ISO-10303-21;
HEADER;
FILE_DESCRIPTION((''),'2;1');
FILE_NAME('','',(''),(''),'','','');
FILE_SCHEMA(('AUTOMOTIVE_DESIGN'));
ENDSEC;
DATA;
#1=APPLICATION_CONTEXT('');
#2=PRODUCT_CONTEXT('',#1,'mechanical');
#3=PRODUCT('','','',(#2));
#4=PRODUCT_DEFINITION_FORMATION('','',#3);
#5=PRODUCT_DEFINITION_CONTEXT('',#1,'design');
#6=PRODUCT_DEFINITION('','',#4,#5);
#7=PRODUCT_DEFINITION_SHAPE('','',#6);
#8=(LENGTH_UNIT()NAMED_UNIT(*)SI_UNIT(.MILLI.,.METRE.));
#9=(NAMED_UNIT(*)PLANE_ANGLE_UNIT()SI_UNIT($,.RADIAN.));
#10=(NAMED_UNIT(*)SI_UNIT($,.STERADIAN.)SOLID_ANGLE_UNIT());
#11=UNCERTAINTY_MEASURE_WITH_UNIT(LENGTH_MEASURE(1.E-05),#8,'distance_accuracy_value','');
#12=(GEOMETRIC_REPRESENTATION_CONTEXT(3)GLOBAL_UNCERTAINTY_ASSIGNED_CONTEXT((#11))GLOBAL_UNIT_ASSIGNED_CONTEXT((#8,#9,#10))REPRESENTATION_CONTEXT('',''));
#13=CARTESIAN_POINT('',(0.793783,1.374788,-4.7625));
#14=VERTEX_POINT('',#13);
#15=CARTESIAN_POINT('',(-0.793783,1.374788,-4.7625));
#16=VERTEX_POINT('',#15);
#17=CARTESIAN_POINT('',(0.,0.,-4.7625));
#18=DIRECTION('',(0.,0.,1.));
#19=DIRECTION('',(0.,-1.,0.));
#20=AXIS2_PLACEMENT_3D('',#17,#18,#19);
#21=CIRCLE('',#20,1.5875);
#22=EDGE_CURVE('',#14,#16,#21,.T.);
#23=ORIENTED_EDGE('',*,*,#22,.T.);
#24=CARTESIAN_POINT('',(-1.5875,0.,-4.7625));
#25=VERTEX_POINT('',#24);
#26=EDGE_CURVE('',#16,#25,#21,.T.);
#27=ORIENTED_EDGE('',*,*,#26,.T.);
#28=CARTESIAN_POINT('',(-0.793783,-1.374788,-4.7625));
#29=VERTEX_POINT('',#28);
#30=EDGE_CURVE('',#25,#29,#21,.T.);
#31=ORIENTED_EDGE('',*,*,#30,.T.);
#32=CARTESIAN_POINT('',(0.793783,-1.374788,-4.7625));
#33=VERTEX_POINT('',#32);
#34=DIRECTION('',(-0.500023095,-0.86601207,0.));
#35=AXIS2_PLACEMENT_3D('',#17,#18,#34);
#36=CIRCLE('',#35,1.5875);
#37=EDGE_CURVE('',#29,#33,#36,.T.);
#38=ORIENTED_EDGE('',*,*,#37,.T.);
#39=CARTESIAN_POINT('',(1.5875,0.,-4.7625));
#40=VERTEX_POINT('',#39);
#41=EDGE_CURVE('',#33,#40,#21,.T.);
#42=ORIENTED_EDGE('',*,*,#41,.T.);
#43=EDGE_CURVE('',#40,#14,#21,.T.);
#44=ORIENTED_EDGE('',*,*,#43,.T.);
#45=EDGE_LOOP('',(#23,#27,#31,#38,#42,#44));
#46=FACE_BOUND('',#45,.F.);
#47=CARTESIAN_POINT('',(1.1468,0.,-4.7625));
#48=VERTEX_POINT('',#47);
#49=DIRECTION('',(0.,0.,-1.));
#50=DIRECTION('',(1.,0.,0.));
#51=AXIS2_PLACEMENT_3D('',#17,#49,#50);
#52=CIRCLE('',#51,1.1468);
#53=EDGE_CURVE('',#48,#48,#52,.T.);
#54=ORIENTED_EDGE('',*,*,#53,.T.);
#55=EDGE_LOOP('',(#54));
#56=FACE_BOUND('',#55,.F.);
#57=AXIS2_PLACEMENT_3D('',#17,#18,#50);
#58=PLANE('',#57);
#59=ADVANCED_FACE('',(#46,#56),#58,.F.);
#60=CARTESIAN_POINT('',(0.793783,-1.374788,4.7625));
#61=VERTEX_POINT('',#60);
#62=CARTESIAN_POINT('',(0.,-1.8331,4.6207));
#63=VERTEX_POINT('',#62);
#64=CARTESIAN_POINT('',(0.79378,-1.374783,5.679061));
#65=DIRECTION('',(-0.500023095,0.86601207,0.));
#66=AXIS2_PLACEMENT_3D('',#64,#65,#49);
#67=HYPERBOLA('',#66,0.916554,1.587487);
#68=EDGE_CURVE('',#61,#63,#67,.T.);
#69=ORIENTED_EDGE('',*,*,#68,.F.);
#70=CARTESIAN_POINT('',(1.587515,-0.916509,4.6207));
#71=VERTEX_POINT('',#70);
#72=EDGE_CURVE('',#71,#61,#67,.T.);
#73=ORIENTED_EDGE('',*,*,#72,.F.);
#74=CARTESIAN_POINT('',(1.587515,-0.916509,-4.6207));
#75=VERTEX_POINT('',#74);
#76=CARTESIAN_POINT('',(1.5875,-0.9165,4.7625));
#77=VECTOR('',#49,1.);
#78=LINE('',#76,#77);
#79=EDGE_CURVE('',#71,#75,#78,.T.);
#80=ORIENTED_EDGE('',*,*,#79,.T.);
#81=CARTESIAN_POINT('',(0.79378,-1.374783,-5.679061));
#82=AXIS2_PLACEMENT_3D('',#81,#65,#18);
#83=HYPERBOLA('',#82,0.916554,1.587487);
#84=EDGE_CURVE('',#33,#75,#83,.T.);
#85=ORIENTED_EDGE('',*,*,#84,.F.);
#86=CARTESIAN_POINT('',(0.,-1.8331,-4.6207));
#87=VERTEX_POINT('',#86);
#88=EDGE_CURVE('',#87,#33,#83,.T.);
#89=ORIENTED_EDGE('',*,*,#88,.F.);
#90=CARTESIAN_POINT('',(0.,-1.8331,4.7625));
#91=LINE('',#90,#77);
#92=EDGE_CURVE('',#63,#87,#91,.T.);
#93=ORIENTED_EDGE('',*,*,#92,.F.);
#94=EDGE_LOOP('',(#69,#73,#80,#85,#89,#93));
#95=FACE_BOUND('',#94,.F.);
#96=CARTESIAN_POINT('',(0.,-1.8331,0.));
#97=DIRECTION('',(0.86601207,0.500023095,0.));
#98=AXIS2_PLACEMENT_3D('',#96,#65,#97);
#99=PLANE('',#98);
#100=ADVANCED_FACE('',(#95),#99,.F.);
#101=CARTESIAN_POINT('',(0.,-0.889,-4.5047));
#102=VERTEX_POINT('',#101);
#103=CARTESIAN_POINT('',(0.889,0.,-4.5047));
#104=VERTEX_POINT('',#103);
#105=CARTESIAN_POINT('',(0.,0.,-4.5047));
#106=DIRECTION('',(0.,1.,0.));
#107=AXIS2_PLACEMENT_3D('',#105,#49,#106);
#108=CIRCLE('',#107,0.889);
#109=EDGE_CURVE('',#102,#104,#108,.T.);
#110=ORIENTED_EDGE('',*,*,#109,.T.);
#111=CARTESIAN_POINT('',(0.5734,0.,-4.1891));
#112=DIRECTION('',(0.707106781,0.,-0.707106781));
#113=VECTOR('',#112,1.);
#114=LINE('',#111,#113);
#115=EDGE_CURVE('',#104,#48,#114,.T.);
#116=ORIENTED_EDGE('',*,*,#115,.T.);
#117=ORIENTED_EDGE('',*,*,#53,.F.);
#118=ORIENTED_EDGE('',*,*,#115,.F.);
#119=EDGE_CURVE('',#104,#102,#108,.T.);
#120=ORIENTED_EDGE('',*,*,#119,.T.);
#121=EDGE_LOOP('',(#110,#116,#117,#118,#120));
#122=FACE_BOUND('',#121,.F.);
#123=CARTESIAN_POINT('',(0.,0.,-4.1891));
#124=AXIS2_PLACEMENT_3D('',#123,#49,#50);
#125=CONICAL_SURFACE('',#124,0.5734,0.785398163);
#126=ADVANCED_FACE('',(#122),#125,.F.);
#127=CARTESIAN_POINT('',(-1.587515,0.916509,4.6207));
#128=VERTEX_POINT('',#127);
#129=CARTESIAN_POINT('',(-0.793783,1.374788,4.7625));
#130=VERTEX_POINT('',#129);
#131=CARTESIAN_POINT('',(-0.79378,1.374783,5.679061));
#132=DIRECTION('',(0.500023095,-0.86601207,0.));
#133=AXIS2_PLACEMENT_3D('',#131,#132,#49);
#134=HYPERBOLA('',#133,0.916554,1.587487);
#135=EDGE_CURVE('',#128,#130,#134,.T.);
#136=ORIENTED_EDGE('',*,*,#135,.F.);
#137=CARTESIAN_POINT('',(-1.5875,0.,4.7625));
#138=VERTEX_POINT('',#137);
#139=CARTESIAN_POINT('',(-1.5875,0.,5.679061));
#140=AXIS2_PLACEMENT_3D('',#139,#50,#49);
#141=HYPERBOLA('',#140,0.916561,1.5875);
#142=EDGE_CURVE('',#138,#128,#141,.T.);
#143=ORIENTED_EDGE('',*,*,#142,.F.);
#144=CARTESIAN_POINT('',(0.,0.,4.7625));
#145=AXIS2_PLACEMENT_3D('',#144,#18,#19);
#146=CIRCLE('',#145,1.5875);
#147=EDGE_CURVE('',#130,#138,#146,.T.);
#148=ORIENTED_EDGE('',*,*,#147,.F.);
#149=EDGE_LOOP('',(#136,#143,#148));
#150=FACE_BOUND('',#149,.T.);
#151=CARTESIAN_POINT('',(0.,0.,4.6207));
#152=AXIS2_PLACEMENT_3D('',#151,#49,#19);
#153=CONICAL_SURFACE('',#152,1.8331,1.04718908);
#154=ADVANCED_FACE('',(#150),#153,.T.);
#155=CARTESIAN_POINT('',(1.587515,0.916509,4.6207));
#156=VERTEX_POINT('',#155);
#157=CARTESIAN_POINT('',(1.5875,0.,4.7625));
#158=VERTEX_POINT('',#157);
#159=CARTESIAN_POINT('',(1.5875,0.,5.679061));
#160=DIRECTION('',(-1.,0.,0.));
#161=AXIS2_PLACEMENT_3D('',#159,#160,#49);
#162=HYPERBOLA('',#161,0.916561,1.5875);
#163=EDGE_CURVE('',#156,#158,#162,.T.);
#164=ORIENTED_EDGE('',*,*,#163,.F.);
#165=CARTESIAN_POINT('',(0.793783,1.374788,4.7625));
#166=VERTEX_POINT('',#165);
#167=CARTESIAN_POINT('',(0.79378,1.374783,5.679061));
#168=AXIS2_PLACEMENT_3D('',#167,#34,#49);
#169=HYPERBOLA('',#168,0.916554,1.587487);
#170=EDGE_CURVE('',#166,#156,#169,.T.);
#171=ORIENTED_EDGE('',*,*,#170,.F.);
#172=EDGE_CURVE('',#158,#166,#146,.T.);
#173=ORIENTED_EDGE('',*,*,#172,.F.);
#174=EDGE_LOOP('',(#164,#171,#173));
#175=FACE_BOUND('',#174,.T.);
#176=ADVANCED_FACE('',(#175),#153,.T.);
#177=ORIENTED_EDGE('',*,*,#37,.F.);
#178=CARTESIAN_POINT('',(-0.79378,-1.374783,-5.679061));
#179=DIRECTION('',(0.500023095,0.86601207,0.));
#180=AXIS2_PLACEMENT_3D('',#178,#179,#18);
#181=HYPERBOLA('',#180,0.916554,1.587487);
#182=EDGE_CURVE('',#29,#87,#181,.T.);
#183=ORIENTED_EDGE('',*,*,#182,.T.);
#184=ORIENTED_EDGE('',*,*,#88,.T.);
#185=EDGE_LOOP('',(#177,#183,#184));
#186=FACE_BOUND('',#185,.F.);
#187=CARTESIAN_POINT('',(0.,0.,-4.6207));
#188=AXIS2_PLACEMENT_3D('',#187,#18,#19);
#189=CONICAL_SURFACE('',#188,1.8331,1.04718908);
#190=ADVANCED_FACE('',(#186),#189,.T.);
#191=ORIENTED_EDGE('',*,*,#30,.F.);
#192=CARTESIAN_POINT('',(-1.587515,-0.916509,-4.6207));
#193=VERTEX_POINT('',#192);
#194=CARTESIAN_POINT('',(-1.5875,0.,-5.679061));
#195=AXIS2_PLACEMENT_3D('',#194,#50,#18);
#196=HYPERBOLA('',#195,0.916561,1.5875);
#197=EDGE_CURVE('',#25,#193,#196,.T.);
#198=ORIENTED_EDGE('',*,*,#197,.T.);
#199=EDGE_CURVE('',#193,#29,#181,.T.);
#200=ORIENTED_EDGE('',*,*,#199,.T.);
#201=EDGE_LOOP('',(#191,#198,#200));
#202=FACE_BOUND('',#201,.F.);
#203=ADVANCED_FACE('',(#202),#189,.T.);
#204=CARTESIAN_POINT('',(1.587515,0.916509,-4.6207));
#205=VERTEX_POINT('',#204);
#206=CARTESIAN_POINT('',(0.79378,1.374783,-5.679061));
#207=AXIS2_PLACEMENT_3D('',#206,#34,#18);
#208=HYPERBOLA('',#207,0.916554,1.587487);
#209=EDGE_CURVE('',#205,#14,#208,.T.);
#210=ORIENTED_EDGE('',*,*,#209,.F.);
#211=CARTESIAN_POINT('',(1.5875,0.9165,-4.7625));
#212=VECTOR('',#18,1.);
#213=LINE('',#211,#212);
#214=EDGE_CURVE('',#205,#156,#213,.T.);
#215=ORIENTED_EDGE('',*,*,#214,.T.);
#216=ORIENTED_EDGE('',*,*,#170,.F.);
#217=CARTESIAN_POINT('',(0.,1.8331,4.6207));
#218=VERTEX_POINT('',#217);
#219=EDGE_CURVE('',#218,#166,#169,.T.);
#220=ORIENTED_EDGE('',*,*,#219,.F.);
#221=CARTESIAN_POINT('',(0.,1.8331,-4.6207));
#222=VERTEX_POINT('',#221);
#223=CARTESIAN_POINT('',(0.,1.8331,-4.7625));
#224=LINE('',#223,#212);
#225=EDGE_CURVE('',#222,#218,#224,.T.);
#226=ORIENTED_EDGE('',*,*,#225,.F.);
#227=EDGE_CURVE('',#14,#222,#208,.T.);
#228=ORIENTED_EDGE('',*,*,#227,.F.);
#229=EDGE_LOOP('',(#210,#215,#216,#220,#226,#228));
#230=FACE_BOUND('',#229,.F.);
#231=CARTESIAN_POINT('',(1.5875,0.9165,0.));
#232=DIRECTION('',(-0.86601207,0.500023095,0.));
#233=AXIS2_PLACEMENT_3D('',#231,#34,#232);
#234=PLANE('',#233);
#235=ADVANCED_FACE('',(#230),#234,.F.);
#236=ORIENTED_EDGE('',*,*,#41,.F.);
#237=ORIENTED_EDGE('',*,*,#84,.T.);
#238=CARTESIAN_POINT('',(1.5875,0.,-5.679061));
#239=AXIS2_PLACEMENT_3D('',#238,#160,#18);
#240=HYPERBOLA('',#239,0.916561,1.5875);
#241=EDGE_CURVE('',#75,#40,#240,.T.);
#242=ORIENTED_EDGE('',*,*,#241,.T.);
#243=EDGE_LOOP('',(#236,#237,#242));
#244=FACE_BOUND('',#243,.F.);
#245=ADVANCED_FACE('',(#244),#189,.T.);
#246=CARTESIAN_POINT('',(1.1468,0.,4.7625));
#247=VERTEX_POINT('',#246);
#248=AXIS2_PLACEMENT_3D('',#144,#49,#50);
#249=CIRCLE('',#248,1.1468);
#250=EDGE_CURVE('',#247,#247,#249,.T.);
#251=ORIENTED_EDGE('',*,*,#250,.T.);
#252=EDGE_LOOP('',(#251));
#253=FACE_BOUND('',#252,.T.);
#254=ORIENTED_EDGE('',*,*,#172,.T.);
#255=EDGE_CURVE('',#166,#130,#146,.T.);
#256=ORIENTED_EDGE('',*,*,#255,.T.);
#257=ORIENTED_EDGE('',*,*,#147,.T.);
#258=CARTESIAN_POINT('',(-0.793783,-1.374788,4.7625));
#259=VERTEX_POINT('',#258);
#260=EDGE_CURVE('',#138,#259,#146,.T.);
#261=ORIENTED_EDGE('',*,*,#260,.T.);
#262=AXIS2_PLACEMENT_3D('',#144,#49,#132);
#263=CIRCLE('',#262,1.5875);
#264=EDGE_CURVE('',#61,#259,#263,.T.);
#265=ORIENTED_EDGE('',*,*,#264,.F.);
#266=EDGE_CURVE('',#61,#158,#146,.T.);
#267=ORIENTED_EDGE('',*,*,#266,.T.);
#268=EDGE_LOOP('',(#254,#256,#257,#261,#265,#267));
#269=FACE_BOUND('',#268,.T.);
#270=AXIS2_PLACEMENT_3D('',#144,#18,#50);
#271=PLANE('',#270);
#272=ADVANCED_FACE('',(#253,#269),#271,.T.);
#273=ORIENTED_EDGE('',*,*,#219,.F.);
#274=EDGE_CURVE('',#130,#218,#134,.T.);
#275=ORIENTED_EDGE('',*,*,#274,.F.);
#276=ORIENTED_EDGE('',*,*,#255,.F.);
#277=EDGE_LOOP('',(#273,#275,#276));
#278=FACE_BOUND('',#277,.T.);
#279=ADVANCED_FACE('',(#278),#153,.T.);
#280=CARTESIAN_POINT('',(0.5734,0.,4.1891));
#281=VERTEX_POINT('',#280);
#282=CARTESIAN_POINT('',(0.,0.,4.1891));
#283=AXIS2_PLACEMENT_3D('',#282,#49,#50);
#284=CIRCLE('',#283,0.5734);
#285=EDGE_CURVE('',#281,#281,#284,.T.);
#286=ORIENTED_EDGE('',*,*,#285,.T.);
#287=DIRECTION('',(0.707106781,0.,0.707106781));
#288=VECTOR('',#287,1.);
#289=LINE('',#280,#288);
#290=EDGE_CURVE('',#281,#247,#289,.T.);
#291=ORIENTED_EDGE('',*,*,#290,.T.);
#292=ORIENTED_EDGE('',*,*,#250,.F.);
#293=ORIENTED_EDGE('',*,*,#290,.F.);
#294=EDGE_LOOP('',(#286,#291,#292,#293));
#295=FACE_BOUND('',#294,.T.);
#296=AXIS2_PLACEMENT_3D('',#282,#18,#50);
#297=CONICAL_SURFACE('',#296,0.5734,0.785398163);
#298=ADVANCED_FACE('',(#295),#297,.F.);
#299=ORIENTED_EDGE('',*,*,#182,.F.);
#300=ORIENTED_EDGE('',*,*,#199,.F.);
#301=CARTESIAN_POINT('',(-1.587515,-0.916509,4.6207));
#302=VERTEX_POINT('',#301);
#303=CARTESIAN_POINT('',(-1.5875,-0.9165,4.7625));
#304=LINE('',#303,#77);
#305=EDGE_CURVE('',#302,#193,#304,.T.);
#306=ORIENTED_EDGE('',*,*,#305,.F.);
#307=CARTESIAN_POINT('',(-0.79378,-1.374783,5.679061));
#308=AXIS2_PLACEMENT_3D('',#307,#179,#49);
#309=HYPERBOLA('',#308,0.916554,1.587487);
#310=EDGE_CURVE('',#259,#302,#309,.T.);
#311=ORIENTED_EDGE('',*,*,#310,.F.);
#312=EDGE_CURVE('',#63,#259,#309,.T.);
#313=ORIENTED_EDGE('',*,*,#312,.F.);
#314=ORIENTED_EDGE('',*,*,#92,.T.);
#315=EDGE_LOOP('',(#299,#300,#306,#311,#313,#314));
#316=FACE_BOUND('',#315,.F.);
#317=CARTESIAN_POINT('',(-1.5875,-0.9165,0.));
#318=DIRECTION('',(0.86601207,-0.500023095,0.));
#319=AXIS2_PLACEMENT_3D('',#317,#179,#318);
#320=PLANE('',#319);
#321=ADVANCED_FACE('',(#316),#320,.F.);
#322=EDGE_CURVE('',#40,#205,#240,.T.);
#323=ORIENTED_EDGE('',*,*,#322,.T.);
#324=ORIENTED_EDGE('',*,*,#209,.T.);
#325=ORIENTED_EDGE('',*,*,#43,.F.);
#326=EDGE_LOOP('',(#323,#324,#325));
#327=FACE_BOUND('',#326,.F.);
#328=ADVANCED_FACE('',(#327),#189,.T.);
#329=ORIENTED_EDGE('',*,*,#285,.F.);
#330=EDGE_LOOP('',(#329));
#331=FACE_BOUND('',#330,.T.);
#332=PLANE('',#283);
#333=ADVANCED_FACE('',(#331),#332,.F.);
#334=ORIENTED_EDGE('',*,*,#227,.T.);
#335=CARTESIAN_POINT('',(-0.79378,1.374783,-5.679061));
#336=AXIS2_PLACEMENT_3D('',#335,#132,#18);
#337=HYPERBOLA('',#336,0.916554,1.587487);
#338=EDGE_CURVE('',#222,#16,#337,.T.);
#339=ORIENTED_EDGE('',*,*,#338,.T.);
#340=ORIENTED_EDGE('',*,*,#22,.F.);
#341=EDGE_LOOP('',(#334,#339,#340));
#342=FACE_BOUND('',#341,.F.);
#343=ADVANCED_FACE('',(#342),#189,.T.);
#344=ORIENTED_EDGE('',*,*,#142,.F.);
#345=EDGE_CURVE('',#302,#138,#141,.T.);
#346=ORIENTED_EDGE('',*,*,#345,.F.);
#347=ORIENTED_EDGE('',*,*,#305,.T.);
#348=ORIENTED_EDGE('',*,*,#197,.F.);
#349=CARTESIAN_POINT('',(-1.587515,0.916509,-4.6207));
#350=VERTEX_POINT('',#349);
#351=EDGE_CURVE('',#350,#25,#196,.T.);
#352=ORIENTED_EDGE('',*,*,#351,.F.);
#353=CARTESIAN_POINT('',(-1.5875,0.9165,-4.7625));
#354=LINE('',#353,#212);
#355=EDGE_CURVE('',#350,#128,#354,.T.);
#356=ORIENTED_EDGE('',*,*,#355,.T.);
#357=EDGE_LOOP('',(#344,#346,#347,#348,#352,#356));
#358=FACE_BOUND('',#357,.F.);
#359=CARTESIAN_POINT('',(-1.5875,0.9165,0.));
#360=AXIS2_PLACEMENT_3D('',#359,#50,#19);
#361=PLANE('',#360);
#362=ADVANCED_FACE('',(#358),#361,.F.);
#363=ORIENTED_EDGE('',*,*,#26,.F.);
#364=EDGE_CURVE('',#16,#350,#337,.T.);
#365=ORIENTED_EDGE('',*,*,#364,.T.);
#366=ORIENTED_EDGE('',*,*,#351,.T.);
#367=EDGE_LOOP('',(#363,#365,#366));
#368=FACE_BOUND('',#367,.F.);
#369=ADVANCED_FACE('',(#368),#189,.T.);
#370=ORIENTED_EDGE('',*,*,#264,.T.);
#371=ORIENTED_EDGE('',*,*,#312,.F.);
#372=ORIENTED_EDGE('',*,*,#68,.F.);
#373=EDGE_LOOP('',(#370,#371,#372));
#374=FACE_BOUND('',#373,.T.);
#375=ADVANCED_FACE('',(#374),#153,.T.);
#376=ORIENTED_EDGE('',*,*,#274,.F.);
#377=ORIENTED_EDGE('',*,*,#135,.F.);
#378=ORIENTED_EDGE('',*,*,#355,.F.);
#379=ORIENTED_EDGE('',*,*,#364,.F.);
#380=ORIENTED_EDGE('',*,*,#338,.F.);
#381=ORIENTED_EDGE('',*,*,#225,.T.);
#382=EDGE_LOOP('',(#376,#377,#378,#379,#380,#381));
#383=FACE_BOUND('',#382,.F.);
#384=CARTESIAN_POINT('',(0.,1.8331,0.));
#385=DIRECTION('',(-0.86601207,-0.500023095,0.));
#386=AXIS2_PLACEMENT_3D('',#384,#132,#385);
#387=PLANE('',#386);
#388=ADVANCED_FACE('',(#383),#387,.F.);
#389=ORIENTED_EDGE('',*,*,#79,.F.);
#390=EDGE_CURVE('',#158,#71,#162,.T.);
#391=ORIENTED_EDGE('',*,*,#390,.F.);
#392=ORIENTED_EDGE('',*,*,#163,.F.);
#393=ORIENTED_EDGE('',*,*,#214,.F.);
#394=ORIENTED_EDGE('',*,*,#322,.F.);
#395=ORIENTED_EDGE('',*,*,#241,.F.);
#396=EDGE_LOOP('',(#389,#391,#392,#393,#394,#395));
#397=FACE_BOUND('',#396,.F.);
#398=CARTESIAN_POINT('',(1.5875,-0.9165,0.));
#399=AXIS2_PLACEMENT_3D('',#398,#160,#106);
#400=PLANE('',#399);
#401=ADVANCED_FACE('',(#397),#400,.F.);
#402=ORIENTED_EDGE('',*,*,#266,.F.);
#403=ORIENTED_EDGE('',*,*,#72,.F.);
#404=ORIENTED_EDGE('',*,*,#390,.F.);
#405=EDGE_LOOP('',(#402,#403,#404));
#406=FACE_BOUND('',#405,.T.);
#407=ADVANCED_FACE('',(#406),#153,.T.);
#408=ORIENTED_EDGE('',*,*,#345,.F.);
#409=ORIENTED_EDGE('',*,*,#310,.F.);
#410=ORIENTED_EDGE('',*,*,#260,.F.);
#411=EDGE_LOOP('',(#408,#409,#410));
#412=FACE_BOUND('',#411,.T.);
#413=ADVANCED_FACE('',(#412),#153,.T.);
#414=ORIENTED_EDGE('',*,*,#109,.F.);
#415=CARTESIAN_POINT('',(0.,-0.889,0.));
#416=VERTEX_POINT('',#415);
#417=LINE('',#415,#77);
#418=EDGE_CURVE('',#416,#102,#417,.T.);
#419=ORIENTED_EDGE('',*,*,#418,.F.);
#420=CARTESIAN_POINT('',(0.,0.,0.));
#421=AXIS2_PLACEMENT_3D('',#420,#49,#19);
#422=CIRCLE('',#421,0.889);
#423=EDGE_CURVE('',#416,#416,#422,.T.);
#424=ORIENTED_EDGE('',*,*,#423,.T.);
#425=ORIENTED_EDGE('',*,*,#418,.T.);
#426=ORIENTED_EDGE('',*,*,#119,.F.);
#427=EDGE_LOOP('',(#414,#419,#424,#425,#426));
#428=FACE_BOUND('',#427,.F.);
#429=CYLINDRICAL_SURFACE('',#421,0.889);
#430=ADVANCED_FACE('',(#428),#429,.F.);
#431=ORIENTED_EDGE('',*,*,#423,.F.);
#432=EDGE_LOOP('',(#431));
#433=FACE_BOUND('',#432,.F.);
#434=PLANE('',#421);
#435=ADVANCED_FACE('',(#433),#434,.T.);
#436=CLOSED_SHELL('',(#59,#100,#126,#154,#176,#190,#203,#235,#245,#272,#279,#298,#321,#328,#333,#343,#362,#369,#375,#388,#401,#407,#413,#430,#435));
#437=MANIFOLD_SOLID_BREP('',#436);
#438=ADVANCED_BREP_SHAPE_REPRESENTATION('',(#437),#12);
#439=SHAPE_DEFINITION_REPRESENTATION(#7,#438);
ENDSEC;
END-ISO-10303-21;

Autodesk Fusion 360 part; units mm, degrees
sketch "Sketch1" plane through (0, 0, 0) normal (0, 0, 1) x (1, 0, 0)
  line L0 (1.5875, 0.9165) -> (0, 1.8331)
  line L1 (0, 1.8331) -> (-1.5875, 0.9165)
  line L2 (-1.5875, 0.9165) -> (-1.5875, -0.9165)
  line L3 (-1.5875, -0.9165) -> (0, -1.8331)
  line L4 (0, -1.8331) -> (1.5875, -0.9165)
  line L5 (1.5875, -0.9165) -> (1.5875, 0.9165)
  circle A0 centre (0, 0) radius 1.5875 construction
  dimension "d4" = 3.175
extrude "Extrude1" add sketch "Sketch1" along normal mid plane 9.525
sketch "Sketch2" plane through (0, 0, 0) normal (1, 0, 0) x (0, 1, 0)
  line L0 (1.8331, 4.7625) -> (-1.8331, 4.7625)
  line L1 (-1.8331, -4.7625) -> (1.8331, -4.7625)
  line L2 (-1.5875, 0) -> (-1.5875, 4.7625) construction
  line L3 (-1.5875, 0) -> (-1.5875, -4.7625) construction
  line L4 (-1.8331, 4.7625) -> (-1.8331, 4.6207)
  line L5 (-1.8331, 4.6207) -> (-1.5875, 4.7625)
  line L6 (-1.5875, 0) -> (0, 0) construction
  line L7 (0, 0) -> (0, 4.7625)
  line L8 (-1.8331, -4.6207) -> (-1.5875, -4.7625)
  line L9 (-1.8331, -4.7625) -> (-1.8331, -4.6207)
  point P0 (-1.5875, 0)
  point P1 (1.5875, 0)
  dimension "d7" = 30
revolve "Revolve1" cut sketch "Sketch2" angle 360 about axis through (0, 0, 0) along (0, 0, 1)
sketch "Sketch3" plane through (0, 0, 0) normal (0, 1, 0) x (1, 0, 0)
  line L0 (-1.5875, -4.7625) -> (1.5875, -4.7625)
  line L1 (1.5875, 4.7625) -> (-1.5875, 4.7625)
  line L2 (0, -4.7625) -> (0, 4.7625)
  line L3 (0, -4.1891) -> (0.5734, -4.1891)
  line L4 (0.5734, -4.1891) -> (1.1468, -4.7625)
  line L5 (0, 0) -> (1.5875, 0) construction
  line L6 (0, 4.1891) -> (0.5734, 4.1891)
  line L7 (0.5734, 4.1891) -> (1.1468, 4.7625)
  dimension "d9" = 45
  dimension "d10" = 2.2936
  dimension "d11" = 1.1468
sketch "Sketch4" plane through (0, 0, 4.7625) normal (0, 0, 1) x (-1, 0, 0)
  arc A0 (-0.7937, -1.3748) -> (0.7937, -1.3748) centre (0, 0) ccw
  arc A1 (0.7937, -1.3748) -> (1.5875, 0) centre (0, 0) ccw
  arc A2 (1.5875, 0) -> (0.7937, 1.3748) centre (0, 0) ccw
  arc A3 (0.7937, 1.3748) -> (-0.7937, 1.3748) centre (0, 0) ccw
  arc A4 (-0.7937, 1.3748) -> (-1.5875, 0) centre (0, 0) ccw
  arc A5 (-1.5875, 0) -> (-0.7937, -1.3748) centre (0, 0) ccw
hole "Hole1" at (0, 0, 0) direction (0, 0, -1) diameter 1.778 end through all
revolve "Revolve2" cut sketch "Sketch3" angle 360 about axis through (0, 0, 4.7625) along (0, 0, -1)
equation "Length = ( 3 / 8 ) * 1 in"
equation "HexWidth = ( 1 / 8 ) * 1 in"
equation "MajorDia = 0.086 in"
equation "d4 = HexWidth"
equation "d5 = Length"
equation "d10 = MajorDia * 1.05"
equation "d11 = d10 / 2"
properties part number "91780A028"
